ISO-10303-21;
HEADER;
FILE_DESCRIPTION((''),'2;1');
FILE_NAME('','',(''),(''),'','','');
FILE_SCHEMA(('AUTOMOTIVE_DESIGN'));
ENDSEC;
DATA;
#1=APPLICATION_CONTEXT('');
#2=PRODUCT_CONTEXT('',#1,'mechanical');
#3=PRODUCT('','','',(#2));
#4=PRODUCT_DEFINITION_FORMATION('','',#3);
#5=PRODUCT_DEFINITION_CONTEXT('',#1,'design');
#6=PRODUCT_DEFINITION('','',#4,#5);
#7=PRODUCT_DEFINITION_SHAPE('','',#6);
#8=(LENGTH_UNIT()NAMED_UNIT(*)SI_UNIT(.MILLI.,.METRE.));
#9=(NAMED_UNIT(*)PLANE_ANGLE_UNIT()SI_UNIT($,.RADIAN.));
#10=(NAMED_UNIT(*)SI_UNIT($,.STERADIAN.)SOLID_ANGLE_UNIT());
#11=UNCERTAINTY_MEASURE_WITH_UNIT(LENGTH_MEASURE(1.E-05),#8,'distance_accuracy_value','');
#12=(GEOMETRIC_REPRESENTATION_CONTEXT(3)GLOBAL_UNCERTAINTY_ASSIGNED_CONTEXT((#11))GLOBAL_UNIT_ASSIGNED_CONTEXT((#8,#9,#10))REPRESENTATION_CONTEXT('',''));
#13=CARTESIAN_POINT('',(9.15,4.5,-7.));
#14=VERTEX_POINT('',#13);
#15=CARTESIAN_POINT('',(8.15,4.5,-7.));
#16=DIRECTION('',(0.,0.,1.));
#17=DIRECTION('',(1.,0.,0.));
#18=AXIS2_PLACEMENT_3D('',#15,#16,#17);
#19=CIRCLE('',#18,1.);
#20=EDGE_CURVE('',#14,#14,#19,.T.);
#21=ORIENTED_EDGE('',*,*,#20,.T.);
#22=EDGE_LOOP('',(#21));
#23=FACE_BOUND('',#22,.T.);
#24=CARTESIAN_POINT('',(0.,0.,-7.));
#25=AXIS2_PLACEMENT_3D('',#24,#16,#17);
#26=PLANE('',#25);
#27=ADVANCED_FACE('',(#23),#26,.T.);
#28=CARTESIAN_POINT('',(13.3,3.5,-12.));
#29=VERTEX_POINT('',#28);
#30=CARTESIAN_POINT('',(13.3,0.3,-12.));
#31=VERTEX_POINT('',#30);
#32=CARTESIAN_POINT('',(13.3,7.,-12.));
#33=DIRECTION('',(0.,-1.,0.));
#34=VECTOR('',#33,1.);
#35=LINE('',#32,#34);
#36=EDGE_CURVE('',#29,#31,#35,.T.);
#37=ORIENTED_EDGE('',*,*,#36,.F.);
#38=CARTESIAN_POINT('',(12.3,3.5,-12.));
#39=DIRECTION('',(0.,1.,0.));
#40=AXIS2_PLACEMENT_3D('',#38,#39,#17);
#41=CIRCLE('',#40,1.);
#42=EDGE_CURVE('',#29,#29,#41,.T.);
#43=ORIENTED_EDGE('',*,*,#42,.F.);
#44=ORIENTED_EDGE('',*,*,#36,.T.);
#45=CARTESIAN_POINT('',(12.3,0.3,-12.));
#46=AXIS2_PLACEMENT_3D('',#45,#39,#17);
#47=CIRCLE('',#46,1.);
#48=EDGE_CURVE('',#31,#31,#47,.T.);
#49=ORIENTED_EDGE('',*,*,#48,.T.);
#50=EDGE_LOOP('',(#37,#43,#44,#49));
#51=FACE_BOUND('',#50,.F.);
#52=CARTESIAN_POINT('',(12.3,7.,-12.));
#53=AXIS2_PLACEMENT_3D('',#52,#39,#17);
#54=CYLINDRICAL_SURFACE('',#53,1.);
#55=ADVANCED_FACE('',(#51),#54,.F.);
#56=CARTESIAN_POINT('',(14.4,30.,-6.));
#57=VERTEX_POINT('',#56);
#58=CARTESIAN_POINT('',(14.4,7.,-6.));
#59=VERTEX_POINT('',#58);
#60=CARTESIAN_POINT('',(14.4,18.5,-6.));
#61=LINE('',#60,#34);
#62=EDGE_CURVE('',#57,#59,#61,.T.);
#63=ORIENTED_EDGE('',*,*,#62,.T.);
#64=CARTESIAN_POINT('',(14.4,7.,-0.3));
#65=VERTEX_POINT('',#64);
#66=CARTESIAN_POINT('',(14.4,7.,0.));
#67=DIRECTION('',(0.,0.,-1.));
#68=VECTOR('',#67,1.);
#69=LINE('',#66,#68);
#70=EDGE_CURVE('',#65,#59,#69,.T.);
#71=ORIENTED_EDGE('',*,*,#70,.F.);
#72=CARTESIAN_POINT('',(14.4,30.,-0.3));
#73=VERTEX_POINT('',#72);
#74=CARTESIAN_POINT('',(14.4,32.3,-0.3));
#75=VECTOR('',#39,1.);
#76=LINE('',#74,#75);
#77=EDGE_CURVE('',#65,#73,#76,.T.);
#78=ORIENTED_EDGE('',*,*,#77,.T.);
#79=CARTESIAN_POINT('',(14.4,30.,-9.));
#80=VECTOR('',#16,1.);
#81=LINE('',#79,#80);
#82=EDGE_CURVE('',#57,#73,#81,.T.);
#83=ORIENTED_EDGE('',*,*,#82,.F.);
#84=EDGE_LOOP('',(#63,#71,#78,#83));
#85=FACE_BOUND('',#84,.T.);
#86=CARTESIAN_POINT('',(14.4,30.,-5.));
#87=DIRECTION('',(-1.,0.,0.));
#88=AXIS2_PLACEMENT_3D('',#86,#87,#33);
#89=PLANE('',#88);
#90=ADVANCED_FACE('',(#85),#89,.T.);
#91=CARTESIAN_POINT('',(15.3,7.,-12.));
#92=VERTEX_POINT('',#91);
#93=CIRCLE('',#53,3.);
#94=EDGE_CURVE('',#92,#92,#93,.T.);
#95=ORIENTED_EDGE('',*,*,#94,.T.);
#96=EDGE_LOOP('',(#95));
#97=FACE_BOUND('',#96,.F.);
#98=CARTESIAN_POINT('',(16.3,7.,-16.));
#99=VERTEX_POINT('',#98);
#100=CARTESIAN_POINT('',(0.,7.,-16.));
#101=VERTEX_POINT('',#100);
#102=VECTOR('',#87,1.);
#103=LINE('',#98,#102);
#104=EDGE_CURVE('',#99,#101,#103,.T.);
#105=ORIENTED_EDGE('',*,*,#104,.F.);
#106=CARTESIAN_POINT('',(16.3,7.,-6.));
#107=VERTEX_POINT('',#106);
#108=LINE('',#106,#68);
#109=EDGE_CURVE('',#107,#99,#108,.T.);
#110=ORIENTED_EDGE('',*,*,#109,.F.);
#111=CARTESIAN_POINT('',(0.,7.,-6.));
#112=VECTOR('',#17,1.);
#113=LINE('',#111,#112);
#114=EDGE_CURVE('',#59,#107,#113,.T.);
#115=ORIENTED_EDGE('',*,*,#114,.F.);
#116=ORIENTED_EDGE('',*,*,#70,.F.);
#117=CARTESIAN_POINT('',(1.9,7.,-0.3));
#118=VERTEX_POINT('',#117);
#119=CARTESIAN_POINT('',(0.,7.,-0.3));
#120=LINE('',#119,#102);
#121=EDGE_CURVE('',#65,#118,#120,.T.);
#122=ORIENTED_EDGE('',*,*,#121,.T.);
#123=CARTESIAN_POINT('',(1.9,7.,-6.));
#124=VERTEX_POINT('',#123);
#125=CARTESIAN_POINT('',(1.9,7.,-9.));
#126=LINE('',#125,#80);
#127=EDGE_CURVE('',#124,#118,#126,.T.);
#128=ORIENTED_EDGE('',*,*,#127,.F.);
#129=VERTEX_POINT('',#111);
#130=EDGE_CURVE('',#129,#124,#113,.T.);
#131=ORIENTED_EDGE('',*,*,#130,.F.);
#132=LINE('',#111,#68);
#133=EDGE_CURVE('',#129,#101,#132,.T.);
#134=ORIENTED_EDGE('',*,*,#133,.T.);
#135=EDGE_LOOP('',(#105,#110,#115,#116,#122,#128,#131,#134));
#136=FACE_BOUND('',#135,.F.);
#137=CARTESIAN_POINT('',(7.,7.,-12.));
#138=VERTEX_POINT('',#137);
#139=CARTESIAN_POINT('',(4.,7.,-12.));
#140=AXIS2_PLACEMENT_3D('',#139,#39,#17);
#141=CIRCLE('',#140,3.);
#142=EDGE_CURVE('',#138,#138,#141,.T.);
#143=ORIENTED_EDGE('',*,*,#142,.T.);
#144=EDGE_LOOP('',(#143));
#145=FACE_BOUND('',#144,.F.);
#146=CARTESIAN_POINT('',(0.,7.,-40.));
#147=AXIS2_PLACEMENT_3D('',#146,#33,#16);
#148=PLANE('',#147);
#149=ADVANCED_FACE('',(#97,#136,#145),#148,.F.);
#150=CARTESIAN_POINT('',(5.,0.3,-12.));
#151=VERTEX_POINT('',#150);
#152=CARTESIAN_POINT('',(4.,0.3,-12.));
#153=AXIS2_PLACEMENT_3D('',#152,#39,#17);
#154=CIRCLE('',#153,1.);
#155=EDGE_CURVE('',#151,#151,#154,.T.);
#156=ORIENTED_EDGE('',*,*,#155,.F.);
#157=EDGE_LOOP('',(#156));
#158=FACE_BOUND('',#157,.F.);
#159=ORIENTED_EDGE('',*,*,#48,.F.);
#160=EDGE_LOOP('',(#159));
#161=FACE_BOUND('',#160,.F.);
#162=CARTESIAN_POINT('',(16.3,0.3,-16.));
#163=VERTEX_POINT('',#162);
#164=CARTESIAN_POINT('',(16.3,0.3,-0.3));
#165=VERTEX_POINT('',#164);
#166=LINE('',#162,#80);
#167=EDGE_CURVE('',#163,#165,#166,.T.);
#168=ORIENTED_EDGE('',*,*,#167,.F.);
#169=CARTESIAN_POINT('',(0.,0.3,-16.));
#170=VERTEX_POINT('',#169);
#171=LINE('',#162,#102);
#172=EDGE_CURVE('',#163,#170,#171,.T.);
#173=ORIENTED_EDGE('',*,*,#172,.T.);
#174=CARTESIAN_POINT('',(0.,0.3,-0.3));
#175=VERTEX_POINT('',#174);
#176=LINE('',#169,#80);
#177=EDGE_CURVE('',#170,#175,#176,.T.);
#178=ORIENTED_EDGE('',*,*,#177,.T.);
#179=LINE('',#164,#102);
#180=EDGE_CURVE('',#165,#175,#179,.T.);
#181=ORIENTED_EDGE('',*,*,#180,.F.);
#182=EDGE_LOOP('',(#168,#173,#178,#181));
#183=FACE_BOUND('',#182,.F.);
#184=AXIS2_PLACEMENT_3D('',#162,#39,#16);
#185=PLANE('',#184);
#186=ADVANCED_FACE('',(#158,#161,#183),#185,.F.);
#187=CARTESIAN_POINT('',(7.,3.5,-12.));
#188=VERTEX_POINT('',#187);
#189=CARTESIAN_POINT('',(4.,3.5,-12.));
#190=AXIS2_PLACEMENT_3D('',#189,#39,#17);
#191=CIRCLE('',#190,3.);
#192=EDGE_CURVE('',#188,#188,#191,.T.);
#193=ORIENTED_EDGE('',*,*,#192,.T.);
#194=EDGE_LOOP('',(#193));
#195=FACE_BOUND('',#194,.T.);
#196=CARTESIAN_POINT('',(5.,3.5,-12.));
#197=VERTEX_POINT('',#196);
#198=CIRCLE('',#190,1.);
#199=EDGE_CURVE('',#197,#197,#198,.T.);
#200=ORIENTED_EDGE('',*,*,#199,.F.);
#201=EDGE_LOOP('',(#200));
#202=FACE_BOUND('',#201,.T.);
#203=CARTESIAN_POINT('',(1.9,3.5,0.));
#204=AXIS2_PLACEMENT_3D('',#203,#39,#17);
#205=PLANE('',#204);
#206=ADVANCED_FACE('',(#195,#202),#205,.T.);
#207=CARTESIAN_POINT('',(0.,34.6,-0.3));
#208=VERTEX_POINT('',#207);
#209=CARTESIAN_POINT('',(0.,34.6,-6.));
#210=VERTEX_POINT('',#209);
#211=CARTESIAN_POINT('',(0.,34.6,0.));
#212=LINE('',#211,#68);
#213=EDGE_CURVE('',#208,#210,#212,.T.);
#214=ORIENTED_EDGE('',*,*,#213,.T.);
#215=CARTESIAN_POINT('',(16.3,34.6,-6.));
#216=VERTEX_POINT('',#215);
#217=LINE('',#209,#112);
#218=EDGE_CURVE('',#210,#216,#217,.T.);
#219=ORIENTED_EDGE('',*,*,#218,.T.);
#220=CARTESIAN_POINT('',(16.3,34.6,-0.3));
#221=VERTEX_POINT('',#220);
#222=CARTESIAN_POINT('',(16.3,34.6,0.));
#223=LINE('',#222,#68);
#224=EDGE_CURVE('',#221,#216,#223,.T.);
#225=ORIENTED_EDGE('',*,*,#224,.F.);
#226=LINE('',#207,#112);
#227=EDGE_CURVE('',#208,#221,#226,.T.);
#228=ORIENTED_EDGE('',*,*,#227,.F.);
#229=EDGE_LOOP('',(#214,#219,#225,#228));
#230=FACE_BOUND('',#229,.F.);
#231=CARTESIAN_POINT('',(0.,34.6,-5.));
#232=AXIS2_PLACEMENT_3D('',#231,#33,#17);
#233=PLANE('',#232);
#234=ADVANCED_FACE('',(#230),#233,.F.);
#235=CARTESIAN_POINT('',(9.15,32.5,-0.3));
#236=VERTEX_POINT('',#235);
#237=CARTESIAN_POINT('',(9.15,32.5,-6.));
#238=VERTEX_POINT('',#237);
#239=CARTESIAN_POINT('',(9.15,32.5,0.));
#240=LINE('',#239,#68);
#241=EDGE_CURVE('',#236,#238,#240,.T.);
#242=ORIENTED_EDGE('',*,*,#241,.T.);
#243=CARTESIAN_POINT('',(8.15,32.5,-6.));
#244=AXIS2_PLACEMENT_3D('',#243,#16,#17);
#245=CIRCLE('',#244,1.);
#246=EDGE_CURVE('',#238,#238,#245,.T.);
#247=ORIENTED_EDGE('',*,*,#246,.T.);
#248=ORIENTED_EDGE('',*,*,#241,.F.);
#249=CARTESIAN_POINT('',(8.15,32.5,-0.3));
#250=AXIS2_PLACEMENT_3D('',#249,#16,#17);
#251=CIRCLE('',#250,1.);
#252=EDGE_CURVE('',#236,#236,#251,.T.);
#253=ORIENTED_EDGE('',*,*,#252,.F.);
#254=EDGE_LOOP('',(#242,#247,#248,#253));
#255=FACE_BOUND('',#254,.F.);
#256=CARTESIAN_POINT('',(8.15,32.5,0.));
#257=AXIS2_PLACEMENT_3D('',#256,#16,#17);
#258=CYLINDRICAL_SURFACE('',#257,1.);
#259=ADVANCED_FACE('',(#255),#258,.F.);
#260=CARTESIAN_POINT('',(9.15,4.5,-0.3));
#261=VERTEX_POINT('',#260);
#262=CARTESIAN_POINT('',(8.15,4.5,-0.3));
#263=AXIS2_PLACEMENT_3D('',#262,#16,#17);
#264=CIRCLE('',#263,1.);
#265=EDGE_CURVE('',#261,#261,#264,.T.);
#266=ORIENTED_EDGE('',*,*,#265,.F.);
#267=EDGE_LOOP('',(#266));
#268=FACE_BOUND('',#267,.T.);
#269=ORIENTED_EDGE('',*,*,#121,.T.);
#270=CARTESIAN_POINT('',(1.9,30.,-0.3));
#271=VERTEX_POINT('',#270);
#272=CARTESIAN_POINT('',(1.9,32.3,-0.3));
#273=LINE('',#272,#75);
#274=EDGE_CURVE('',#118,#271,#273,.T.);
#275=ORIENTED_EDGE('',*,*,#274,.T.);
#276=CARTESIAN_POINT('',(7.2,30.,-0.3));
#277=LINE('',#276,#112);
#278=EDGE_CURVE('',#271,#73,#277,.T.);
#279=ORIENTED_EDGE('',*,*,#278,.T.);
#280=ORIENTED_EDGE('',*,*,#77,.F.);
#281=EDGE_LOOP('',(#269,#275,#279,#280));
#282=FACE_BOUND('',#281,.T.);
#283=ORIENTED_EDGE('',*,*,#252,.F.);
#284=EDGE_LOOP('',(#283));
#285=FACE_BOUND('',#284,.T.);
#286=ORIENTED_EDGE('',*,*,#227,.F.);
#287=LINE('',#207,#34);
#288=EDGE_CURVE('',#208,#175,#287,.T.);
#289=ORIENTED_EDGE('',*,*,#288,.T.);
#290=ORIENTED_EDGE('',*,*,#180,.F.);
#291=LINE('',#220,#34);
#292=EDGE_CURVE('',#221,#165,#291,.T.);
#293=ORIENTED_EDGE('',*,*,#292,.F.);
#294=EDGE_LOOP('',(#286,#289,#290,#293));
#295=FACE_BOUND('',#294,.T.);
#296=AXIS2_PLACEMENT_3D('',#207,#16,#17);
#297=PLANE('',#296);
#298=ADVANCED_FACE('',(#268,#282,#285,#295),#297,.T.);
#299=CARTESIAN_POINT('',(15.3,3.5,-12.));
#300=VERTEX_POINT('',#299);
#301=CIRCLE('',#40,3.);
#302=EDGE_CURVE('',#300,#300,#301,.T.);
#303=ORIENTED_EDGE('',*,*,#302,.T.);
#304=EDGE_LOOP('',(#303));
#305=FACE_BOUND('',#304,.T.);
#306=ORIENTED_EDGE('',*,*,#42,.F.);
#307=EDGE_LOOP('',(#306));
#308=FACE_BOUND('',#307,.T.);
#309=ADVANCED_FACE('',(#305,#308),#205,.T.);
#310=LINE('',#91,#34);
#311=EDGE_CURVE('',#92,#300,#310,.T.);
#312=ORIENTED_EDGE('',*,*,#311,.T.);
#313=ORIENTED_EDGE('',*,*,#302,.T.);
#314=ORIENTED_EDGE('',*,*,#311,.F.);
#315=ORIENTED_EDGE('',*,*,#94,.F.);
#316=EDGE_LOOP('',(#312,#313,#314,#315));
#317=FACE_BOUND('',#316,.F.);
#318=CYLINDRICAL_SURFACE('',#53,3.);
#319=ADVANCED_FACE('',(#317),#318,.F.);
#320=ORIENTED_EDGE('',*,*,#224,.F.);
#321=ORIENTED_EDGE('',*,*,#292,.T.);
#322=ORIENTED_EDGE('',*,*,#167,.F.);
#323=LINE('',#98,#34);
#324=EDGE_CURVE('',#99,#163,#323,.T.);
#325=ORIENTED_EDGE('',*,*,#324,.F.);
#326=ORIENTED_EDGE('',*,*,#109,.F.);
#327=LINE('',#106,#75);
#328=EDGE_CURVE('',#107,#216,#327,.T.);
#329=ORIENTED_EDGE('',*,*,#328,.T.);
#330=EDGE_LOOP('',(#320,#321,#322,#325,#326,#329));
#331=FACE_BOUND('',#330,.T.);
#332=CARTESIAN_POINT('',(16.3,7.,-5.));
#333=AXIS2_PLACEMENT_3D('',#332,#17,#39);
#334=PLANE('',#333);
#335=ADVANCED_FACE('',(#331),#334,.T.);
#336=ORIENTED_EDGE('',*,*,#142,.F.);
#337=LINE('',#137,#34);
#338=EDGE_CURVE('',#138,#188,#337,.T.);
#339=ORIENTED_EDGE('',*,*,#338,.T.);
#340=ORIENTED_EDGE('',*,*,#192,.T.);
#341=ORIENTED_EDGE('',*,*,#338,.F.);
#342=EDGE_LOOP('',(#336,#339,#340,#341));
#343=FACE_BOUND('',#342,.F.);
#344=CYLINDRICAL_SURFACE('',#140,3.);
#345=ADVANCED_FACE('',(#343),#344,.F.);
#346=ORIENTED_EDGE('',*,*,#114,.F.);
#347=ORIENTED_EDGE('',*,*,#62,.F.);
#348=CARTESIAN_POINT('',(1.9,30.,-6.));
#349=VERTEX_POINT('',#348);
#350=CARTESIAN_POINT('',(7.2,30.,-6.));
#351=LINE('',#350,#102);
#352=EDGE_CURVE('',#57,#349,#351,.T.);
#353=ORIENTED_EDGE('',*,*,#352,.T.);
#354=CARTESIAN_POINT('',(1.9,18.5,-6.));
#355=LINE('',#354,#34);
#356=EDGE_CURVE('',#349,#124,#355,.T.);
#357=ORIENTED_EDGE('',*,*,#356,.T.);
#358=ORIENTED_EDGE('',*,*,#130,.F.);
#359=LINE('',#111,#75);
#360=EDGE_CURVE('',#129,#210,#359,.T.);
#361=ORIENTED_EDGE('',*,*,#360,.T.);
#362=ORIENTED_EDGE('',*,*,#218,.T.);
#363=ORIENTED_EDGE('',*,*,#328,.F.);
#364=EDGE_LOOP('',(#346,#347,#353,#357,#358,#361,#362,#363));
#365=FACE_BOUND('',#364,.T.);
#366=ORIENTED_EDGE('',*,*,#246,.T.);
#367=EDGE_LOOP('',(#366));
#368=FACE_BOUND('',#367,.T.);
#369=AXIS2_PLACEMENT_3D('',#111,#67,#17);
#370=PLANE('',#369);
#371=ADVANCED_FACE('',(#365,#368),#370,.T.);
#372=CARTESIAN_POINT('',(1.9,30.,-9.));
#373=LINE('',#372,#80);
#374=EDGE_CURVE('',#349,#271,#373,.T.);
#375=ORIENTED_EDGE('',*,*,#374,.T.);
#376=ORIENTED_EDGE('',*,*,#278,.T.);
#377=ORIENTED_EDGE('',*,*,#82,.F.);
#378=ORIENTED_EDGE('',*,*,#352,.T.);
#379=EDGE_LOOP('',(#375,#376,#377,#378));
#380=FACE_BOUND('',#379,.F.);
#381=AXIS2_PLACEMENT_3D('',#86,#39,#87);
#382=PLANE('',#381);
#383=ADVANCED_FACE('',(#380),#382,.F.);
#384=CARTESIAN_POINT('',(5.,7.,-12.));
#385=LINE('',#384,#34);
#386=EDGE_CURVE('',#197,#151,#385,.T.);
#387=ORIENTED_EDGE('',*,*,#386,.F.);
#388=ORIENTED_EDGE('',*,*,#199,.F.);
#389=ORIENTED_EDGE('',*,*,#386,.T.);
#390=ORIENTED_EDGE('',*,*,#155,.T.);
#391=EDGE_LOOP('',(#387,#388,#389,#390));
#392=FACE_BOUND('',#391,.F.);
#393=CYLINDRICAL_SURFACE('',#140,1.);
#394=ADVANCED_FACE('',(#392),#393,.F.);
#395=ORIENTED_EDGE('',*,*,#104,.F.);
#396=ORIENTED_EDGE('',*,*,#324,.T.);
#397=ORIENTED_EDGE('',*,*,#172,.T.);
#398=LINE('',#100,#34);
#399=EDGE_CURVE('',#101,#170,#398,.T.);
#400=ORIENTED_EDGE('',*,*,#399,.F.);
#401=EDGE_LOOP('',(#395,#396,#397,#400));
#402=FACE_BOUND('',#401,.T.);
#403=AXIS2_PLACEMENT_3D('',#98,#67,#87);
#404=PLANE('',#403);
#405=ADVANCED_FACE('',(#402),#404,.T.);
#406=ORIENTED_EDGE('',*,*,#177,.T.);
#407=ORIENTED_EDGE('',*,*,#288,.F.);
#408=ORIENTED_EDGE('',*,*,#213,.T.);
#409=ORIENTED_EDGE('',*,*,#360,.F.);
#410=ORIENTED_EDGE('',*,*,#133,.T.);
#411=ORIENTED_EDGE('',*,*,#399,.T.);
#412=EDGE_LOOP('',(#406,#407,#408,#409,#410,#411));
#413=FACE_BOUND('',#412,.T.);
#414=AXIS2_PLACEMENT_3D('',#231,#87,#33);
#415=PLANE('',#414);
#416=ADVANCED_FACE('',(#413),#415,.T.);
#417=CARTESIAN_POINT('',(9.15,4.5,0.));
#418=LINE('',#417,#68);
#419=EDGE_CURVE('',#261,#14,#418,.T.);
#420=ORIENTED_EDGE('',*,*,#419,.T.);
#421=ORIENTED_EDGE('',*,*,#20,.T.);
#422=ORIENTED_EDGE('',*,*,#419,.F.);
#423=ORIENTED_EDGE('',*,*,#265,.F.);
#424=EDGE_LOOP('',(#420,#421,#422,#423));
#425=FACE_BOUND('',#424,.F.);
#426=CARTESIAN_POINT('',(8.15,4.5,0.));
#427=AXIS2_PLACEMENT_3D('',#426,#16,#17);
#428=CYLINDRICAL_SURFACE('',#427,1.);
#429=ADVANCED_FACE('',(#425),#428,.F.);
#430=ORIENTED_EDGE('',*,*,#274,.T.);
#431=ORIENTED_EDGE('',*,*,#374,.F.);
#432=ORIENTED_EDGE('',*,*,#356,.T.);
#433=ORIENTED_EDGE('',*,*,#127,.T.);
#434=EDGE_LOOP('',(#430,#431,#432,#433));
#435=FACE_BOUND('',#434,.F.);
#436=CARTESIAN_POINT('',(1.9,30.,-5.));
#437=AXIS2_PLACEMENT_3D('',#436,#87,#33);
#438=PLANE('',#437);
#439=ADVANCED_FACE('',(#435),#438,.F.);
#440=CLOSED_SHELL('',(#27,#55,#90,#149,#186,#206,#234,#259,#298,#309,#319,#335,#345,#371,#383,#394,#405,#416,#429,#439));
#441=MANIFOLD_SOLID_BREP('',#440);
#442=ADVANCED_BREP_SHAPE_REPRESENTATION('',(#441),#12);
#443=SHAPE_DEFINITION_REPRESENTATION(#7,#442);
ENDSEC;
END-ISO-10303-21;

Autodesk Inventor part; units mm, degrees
ref_plane "YZ Plane" through (0, 0, 0) normal (1, 0, 0) x (0, 1, 0)
ref_plane "XZ Plane" through (0, 0, 0) normal (0, 1, 0) x (-1, 0, 0)
ref_plane "XY Plane" through (0, 0, 0) normal (0, 0, 1) x (1, 0, 0)
sketch "Sketch1" plane through (0, 0, 0) normal (1, 0, 0) x (0, 1, 0)
  line L0 (34.6, 0) -> (0, 0)
  line L1 (0, 0) -> (0, -40)
  line L2 (7, -40) -> (7, -5)
  line L3 (7, -5) -> (34.6, -5)
  line L4 (34.6, -5) -> (34.6, 0)
  line L5 (7, -40) -> (0, -40)
  dimension "d0" = 0
  dimension "d1" = 0
  dimension "d2" = 5
  dimension "d3" = 7
  dimension "d5" = 40
  dimension "d6" = 34.6
extrude "Extrusion1" add sketch "Sketch1" along normal blind 16.3
sketch "Sketch2" plane through (0, 7, -5) normal (0, 1, 0) x (1, 0, 0)
  circle A0 centre (8.15, 20) radius 1.5
  line L0 (16.3, 35) -> (16.3, 0) projected
  line L1 (0, -5) -> (16.3, -5) projected
  circle A1 centre (8.15, 28) radius 1.5
  line L2 (8.15, 20) -> (8.15, 28) construction
  dimension "d9" = 8.15
  dimension "d10" = 25
  dimension "d11" = 3
  dimension "d31" = 3
  dimension "d32" = 8
extrude "Extrusion2" cut sketch "Sketch2" against normal through all
sketch "Sketch3" plane through (0, 7, -5) normal (0, 0, -1) x (-1, 0, 0)
  line L0 (0, 0) -> (-16.3, 0) projected
  line L1 (-14.4, 0) -> (-1.9, 0)
  line L2 (-1.9, 0) -> (-1.9, 23)
  line L3 (-1.9, 23) -> (-14.4, 23)
  line L4 (-14.4, 23) -> (-14.4, 0)
  line L5 (0, 0) -> (0, 27.6) projected
  point P0 (0, -7)
  dimension "d14" = 23
  dimension "d15" = 12.5
  dimension "d16" = 1.9
extrude "Extrusion3" cut sketch "Sketch3" against normal blind 16.3
sketch "Sketch5" plane through (0, 7, -5) normal (0, 0, -1) x (-1, 0, 0)
  line L0 (0, 27.6) -> (-16.3, 27.6) projected
  line L1 (-16.3, 27.6) -> (0, 27.6)
  line L2 (0, 27.6) -> (0, 0)
  line L3 (0, 0) -> (-1.9, 0)
  line L4 (-14.4, 23) -> (-14.4, 0) projected
  line L5 (-14.4, 23) -> (-14.4, 0)
  line L6 (-14.4, 0) -> (-16.3, 0)
  line L7 (-16.3, 0) -> (-16.3, 27.6)
  line L8 (-14.4, 23) -> (-1.9, 23)
  line L9 (-1.9, 23) -> (-1.9, 0)
  line L10 (-1.9, 23) -> (-1.9, 0) projected
  line L11 (-14.4, 23) -> (-1.9, 23) projected
  point P0 (0, -7)
  dimension "d26" = 0
  dimension "d27" = 0
  dimension "d28" = 1.9
extrude "Extrusion5" add sketch "Sketch5" along normal blind 4
sketch "Sketch4" plane through (0, 0, 0) normal (0, 0, 1) x (1, 0, 0)
  circle A0 centre (8.15, 32.5) radius 1
  circle A1 centre (8.15, 4.5) radius 1
  line L0 (1.9, 30) -> (14.4, 30) projected
  line L1 (14.4, 7) -> (1.9, 7) projected
  line L2 (0, 34.6) -> (0, 0) projected
  line L3 (16.3, 34.6) -> (16.3, 0) projected
  dimension "d19" = 2.5
  dimension "d20" = 2.5
  dimension "d21" = 2
  dimension "d22" = 8.15
  dimension "d23" = 8.15
extrude "Extrusion4" cut sketch "Sketch4" against normal blind 7
sketch "Sketch6" plane through (0, 7, -40) normal (0, 1, 0) x (1, 0, 0)
  circle A0 centre (12.3, -28) radius 1
  line L0 (0, -40) -> (16.3, -40) projected
  line L1 (16.3, -40) -> (16.3, -31) projected
  circle A1 centre (4, -28) radius 1
  line L2 (0, 0) -> (0, -31) projected
  dimension "d33" = 2
  dimension "d34" = 12
  dimension "d35" = 4
  dimension "d38" = 4
  dimension "d39" = 0
extrude "Extrusion6" cut sketch "Sketch6" against normal blind 10
sketch "Sketch7" plane through (0, 7, -40) normal (0, 1, 0) x (1, 0, 0)
  line L0 (0, 0) -> (0, -31) projected
  line L1 (0, 0) -> (16.3, 0)
  line L2 (16.3, 0) -> (16.3, -24)
  line L3 (16.3, -24) -> (0, -24)
  line L4 (0, -24) -> (0, 0)
  line L5 (0, -40) -> (16.3, -40) projected
  line L6 (16.3, 0) -> (16.3, -31) projected
  point P0 (8.15, -24)
  point P1 (0, -24)
  dimension "d40" = 16
  dimension "d41" = 0
extrude "Extrusion7" cut sketch "Sketch7" against normal blind 10
sketch "Sketch8" plane through (1.9, 7, 0) normal (0, 1, 0) x (1, 0, 0)
  line L0 (14.4, 16) -> (14.4, 9) projected
  line L1 (-1.9, 0) -> (-1.9, 16) projected
  line L2 (14.4, 9) -> (-1.9, 9)
  line L3 (-1.9, 9) -> (-1.9, 6)
  line L4 (-1.9, 6) -> (14.4, 6)
  line L5 (14.4, 6) -> (14.4, 9)
  point P0 (-1.9, 9)
  dimension "d44" = 3
extrude "Extrusion8" cut sketch "Sketch8" along normal up to surface (27.6 mm away)
sketch "Sketch9" plane through (1.9, 7, 0) normal (0, 1, 0) x (1, 0, 0)
  circle A0 centre (10.4, 12) radius 1 projected
  circle A1 centre (10.4, 12) radius 3
  circle A2 centre (2.1, 12) radius 1 projected
  circle A3 centre (2.1, 12) radius 3
  point P0 (-1.9, 0)
  dimension "d47" = 6
  dimension "d48" = 6
extrude "Extrusion9" cut sketch "Sketch9" against normal blind 3.5
sketch "Sketch10" plane through (0, 34.6, 0) normal (0, 1, 0) x (1, 0, 0)
  line L0 (0, 0) -> (16.3, 0) projected
  line L1 (0, 0) -> (0, 16) projected
  line L2 (16.3, 0) -> (0, 0)
  line L3 (0, 0) -> (0, 0.3)
  line L4 (0, 0.3) -> (16.3, 0.3)
  line L5 (16.3, 0.3) -> (16.3, 0)
  dimension "d51" = 0.3
extrude "Extrusion10" cut sketch "Sketch10" against normal up to surface (34.6 mm away)
sketch "Sketch11" plane through (16.3, 0, 0) normal (1, 0, 0) x (0, 0, -1)
  line L0 (0.3, 0) -> (16, 0) projected
  line L1 (16, 7) -> (16, 0) projected
  line L2 (0.3, 0) -> (16, 0)
  line L3 (16, 0) -> (16, 0.3)
  line L4 (16, 0.3) -> (0.3, 0.3)
  line L5 (0.3, 0.3) -> (0.3, 0)
  point P0 (0, 0)
  dimension "d54" = 0.3
extrude "Extrusion11" cut sketch "Sketch11" against normal up to surface (16.3 mm away)
properties part number "ServoHolder_3DPrint"
